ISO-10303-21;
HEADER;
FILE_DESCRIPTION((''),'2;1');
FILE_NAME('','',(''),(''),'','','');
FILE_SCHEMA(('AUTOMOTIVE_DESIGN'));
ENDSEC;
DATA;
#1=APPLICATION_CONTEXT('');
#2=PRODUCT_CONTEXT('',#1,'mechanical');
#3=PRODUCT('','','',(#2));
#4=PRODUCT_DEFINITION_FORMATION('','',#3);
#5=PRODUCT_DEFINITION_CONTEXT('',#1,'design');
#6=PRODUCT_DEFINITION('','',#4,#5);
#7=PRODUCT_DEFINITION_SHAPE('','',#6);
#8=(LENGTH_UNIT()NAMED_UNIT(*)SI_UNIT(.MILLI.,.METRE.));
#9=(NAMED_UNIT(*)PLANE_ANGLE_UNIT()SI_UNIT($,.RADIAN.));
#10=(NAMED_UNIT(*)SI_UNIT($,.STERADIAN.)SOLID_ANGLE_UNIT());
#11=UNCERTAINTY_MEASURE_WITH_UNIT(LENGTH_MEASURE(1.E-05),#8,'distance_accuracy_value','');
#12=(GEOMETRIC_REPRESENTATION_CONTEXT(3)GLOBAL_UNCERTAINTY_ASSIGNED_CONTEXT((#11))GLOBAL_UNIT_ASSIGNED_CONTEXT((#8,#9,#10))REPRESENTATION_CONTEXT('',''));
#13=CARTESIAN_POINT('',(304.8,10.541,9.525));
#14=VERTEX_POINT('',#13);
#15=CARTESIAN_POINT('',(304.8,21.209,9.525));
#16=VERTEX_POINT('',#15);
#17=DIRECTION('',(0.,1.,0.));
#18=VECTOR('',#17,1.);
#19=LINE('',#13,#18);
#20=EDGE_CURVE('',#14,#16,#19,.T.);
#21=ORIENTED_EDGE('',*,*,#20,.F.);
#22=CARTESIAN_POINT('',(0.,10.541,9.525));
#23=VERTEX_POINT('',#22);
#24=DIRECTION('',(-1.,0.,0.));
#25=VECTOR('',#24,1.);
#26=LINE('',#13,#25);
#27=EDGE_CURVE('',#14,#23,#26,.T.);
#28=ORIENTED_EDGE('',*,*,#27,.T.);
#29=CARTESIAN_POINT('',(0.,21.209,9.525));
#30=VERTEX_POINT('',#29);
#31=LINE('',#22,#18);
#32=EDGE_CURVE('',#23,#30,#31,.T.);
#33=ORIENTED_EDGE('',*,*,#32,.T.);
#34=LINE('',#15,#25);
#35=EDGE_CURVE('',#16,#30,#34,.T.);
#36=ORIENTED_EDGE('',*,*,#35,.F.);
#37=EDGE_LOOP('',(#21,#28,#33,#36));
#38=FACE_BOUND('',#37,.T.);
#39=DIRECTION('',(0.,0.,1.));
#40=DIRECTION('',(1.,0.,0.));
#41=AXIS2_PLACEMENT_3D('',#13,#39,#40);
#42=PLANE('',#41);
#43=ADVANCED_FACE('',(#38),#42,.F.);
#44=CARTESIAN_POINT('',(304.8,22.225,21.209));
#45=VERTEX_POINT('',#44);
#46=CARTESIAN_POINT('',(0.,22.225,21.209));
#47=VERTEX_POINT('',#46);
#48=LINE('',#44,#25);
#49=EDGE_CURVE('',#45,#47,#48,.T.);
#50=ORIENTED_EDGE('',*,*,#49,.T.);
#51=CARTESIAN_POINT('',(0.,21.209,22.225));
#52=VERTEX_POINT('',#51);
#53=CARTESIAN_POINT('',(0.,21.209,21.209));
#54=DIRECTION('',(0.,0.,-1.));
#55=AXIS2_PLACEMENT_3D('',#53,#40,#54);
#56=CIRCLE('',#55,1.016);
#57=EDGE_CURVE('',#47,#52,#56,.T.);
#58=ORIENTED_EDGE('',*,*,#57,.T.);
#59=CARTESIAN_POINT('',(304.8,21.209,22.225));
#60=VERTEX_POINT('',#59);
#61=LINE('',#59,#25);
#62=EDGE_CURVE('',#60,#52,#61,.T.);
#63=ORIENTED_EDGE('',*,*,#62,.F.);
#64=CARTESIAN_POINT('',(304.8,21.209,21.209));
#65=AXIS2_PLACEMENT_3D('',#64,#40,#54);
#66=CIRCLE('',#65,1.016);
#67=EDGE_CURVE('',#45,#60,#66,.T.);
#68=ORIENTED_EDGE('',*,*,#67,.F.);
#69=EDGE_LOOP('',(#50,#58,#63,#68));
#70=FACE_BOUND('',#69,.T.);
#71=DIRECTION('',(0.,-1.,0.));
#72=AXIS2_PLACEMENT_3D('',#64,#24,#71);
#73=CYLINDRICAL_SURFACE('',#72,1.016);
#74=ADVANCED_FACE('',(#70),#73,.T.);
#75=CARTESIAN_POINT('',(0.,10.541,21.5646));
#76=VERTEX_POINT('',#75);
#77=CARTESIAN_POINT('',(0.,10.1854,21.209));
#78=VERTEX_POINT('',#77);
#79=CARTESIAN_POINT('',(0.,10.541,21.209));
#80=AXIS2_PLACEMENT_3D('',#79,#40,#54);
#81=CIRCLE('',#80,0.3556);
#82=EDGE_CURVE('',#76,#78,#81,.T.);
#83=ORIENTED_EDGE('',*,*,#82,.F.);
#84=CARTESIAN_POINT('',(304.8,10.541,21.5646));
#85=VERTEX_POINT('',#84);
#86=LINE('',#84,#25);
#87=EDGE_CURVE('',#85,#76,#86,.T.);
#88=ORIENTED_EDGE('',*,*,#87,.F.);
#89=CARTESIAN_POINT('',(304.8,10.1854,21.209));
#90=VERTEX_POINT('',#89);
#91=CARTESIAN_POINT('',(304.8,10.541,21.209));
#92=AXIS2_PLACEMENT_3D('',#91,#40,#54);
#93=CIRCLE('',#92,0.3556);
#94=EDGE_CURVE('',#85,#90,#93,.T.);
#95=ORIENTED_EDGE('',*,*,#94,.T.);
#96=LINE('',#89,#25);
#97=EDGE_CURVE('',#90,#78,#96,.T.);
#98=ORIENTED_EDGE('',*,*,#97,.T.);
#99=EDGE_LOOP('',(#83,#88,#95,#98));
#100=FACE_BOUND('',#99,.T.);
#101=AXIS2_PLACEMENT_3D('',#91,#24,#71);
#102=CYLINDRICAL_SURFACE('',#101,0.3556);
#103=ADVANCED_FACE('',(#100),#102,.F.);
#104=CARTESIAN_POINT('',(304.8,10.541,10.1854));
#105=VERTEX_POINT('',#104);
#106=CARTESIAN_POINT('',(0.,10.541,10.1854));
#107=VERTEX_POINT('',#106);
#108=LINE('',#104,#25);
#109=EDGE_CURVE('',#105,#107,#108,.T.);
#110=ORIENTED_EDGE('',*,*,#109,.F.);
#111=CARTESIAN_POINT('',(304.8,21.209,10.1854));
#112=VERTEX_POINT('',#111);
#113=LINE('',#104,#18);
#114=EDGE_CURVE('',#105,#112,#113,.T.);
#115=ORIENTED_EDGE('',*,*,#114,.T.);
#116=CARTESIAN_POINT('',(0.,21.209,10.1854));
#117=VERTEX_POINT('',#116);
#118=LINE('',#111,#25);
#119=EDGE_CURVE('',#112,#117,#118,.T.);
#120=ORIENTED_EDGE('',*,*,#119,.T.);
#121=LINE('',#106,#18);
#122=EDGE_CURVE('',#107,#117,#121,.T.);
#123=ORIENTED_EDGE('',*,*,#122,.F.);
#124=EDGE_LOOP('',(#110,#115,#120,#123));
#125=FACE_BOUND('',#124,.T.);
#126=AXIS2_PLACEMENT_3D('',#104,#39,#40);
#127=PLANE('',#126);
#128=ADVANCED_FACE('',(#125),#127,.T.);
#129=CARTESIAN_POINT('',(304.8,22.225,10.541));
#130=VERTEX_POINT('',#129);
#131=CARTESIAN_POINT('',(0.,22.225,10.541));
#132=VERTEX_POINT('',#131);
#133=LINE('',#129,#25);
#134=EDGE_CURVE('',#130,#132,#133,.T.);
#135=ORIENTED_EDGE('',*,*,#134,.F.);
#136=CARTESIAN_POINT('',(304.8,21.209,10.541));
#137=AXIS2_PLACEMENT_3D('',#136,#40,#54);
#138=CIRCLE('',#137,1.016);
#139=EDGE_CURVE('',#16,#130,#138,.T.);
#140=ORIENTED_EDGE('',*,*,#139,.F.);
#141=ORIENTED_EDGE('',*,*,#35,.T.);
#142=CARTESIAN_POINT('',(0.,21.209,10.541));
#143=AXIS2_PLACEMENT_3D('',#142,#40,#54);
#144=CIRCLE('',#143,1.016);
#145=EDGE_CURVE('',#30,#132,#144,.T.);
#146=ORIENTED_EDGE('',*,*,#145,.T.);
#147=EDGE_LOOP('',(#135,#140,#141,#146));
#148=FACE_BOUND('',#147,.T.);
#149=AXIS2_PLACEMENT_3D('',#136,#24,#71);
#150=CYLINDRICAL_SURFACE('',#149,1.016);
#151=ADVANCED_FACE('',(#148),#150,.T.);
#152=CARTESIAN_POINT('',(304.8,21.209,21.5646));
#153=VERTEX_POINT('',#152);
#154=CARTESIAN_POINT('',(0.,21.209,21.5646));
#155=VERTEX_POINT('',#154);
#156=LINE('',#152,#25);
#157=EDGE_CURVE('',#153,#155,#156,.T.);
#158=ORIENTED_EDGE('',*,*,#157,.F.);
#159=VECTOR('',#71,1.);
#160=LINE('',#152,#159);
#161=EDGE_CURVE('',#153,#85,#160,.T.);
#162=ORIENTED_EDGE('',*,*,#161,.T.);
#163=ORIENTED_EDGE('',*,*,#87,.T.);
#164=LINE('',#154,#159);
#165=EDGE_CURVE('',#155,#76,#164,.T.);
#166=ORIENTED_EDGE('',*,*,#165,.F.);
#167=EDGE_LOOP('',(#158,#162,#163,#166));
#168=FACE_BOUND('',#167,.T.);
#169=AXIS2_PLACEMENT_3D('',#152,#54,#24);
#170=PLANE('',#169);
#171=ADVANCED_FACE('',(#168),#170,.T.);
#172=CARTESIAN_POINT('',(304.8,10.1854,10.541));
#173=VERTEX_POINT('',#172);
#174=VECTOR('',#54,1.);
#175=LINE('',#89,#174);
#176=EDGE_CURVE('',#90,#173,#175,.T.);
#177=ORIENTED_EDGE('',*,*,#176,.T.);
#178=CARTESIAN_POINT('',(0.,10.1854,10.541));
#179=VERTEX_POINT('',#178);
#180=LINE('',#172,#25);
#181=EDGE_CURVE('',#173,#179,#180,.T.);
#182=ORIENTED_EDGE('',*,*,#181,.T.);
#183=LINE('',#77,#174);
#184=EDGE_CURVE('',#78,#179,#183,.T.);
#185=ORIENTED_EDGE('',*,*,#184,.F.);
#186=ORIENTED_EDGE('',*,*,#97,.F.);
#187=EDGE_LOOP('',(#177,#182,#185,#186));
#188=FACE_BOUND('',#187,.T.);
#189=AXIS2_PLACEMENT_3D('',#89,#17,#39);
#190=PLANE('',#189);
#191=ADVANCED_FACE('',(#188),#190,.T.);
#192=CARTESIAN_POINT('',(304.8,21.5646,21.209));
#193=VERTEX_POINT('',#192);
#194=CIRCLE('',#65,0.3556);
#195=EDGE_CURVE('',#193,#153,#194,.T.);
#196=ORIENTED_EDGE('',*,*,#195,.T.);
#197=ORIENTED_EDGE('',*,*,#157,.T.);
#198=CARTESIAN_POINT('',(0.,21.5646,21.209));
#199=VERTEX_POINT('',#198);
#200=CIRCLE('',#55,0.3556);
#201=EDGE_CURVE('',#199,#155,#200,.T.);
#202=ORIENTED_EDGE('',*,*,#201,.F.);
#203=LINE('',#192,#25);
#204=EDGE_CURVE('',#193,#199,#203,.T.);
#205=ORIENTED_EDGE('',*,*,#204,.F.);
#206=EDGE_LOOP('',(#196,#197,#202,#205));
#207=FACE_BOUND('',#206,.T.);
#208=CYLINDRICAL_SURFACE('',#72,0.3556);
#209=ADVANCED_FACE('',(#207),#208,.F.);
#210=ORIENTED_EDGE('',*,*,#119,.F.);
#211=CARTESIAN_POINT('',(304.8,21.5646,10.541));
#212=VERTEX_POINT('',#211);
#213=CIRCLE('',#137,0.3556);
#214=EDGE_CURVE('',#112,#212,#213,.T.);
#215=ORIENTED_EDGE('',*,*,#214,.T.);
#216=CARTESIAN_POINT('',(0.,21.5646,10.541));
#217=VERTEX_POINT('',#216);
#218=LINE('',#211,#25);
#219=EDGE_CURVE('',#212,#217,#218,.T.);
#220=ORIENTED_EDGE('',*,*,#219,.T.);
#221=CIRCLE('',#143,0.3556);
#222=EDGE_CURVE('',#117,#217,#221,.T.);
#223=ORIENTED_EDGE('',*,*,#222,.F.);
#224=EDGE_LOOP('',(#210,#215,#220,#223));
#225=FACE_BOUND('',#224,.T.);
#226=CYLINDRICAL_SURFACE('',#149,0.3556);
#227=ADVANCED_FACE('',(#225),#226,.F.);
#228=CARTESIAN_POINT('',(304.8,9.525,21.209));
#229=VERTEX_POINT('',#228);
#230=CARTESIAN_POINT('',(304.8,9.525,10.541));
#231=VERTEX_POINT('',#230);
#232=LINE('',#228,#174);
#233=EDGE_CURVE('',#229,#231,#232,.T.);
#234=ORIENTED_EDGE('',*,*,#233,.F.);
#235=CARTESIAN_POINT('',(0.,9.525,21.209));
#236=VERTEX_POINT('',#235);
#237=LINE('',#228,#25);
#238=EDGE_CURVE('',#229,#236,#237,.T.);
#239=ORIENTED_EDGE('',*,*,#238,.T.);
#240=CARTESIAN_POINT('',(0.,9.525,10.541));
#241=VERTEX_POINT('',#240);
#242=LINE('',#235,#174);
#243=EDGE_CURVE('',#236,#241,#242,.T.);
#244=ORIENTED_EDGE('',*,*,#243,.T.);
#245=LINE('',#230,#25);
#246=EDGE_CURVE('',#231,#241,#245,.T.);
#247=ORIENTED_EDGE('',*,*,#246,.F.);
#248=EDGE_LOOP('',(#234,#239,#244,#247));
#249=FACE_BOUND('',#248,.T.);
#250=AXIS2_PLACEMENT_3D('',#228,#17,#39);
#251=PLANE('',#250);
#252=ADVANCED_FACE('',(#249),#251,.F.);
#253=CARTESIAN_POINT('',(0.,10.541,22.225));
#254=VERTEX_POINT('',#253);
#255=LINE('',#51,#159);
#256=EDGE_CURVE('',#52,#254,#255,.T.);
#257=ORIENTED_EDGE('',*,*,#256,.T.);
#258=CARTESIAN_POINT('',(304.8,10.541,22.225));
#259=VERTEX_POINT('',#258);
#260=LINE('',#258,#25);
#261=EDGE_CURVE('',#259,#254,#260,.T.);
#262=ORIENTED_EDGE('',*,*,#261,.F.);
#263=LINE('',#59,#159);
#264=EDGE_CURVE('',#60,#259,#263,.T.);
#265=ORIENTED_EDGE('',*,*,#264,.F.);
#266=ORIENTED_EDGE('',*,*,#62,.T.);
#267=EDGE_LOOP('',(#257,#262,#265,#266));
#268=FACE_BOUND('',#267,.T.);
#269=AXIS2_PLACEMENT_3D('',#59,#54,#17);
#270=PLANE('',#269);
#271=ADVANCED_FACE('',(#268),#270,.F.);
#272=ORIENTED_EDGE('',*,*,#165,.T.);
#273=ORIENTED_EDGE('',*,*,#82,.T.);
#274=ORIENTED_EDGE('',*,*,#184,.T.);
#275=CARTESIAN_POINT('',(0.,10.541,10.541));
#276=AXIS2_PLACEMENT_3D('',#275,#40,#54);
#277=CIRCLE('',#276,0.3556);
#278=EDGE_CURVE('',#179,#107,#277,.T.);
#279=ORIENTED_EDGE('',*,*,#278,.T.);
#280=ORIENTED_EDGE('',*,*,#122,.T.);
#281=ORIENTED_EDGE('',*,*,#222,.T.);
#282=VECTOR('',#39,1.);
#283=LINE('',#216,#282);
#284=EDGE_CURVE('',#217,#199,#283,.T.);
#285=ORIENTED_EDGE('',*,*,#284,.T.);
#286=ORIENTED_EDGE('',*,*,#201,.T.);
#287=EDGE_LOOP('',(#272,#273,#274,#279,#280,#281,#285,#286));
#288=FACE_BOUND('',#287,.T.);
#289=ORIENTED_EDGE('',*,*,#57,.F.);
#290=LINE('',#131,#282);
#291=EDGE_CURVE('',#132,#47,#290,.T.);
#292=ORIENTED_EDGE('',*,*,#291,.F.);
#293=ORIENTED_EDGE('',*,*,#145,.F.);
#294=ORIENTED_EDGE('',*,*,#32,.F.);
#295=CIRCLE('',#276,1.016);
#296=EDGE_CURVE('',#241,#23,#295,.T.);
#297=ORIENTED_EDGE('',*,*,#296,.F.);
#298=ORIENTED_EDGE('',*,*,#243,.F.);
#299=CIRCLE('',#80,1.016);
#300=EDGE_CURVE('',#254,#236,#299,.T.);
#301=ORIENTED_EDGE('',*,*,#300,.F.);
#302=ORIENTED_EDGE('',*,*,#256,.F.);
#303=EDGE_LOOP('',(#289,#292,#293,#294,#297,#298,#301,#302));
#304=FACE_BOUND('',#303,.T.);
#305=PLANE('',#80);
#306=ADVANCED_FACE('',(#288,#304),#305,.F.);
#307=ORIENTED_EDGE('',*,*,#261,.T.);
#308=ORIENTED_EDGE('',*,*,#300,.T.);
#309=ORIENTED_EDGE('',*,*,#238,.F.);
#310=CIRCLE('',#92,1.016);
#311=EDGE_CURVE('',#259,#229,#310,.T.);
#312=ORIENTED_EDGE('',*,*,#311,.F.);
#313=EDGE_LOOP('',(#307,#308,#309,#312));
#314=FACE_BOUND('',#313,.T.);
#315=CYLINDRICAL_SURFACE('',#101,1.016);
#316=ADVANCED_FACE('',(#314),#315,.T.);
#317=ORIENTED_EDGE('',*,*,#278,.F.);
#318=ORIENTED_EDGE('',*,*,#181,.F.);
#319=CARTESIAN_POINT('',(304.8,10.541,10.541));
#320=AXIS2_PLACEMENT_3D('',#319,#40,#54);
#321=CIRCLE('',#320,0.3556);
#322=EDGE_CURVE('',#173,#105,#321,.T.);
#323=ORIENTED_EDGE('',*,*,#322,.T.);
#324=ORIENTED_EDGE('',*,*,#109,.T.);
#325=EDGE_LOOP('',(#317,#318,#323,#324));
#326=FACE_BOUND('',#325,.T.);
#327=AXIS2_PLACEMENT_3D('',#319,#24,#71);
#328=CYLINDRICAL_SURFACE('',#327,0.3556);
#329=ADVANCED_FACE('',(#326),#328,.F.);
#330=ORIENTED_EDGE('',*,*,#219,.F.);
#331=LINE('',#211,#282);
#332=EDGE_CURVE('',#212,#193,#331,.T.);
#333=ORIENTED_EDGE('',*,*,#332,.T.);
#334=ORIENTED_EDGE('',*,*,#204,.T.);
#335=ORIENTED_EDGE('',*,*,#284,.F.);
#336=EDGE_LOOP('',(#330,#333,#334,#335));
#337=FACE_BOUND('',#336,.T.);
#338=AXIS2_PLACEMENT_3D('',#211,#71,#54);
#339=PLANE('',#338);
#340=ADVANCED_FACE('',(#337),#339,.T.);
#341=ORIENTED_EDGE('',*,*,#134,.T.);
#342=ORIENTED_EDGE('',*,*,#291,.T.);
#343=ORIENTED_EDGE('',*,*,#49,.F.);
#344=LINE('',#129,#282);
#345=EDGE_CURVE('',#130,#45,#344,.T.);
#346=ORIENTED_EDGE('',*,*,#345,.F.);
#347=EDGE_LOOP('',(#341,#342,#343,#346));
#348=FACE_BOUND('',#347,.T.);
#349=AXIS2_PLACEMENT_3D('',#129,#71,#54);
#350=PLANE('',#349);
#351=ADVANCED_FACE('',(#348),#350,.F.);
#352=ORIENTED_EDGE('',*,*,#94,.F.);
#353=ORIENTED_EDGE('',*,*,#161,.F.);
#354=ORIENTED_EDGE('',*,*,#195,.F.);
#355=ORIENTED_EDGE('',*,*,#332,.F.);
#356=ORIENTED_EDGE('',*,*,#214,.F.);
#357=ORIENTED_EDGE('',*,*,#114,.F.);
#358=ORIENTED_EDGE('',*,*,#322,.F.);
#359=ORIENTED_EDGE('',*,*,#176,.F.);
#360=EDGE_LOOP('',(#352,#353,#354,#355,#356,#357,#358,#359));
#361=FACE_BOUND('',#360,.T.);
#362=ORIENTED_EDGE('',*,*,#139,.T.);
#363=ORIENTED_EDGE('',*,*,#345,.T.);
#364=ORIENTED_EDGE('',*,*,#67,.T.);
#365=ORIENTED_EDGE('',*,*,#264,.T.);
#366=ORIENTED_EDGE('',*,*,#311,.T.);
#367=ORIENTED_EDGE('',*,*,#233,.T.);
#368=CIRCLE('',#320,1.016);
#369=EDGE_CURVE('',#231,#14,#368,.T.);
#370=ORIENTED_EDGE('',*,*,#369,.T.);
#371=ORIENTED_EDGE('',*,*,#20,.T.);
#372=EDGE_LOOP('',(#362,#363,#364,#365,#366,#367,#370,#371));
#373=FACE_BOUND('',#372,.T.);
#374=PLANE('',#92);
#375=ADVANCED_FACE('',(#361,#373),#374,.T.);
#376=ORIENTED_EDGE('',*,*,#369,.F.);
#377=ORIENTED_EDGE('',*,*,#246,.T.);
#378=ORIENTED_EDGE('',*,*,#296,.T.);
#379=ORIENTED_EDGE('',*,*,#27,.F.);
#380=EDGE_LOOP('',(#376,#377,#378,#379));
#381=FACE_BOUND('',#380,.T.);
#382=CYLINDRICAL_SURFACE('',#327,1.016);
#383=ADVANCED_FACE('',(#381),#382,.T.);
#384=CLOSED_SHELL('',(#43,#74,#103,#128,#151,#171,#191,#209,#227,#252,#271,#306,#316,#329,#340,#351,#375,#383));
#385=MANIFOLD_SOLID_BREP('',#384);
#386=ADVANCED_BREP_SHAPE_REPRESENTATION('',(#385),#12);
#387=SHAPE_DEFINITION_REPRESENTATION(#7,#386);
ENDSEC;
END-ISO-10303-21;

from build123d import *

# Parameters (mm, degrees)
BOSS_EXTRUDE1_DEPTH = 304.8
SCALE1_SCALE_X      = 1
SCALE1_SCALE_Y      = 0.4
SCALE1_SCALE_Z      = 0.4


with BuildPart() as part:
    # Sketch1 → Boss-Extrude1 (new body)
    with BuildSketch(Plane(origin=(0, 0, 0), x_dir=(0, 0, -1), z_dir=(1, 0, 0))):
        with BuildLine():
            Line((0, 2.54), (0, 29.21))
            ThreePointArc((0, 29.21), (-0.743948776, 31.006051224), (-2.54, 31.75))
            Line((-2.54, 31.75), (-29.21, 31.75))
            ThreePointArc((-29.21, 31.75), (-31.006051224, 31.006051224), (-31.75, 29.21))
            Line((-31.75, 29.21), (-31.75, 2.54))
            ThreePointArc((-31.75, 2.54), (-31.006051224, 0.743948776), (-29.21, 0))
            Line((-29.21, 0), (-2.54, 0))
            ThreePointArc((-2.54, 0), (-0.743948776, 0.743948776), (0, 2.54))
        make_face()
        with BuildLine():
            Line((-1.651, 2.54), (-1.651, 29.21))
            ThreePointArc((-1.651, 29.21), (-1.911382072, 29.838617928), (-2.54, 30.099))
            Line((-2.54, 30.099), (-29.21, 30.099))
            ThreePointArc((-29.21, 30.099), (-29.838617928, 29.838617928), (-30.099, 29.21))
            Line((-30.099, 29.21), (-30.099, 2.54))
            ThreePointArc((-30.099, 2.54), (-29.838617928, 1.911382072), (-29.21, 1.651))
            Line((-29.21, 1.651), (-2.54, 1.651))
            ThreePointArc((-2.54, 1.651), (-1.911382072, 1.911382072), (-1.651, 2.54))
        make_face(mode=Mode.SUBTRACT)
    extrude(amount=BOSS_EXTRUDE1_DEPTH)


with BuildPart() as part_1:
    # Scale1: scaled about (152.4, 15.875, 15.875)
    add(part.part.scale((SCALE1_SCALE_X, SCALE1_SCALE_Y, SCALE1_SCALE_Z), about=(152.4, 15.875, 15.875)))


solid = part_1.part
